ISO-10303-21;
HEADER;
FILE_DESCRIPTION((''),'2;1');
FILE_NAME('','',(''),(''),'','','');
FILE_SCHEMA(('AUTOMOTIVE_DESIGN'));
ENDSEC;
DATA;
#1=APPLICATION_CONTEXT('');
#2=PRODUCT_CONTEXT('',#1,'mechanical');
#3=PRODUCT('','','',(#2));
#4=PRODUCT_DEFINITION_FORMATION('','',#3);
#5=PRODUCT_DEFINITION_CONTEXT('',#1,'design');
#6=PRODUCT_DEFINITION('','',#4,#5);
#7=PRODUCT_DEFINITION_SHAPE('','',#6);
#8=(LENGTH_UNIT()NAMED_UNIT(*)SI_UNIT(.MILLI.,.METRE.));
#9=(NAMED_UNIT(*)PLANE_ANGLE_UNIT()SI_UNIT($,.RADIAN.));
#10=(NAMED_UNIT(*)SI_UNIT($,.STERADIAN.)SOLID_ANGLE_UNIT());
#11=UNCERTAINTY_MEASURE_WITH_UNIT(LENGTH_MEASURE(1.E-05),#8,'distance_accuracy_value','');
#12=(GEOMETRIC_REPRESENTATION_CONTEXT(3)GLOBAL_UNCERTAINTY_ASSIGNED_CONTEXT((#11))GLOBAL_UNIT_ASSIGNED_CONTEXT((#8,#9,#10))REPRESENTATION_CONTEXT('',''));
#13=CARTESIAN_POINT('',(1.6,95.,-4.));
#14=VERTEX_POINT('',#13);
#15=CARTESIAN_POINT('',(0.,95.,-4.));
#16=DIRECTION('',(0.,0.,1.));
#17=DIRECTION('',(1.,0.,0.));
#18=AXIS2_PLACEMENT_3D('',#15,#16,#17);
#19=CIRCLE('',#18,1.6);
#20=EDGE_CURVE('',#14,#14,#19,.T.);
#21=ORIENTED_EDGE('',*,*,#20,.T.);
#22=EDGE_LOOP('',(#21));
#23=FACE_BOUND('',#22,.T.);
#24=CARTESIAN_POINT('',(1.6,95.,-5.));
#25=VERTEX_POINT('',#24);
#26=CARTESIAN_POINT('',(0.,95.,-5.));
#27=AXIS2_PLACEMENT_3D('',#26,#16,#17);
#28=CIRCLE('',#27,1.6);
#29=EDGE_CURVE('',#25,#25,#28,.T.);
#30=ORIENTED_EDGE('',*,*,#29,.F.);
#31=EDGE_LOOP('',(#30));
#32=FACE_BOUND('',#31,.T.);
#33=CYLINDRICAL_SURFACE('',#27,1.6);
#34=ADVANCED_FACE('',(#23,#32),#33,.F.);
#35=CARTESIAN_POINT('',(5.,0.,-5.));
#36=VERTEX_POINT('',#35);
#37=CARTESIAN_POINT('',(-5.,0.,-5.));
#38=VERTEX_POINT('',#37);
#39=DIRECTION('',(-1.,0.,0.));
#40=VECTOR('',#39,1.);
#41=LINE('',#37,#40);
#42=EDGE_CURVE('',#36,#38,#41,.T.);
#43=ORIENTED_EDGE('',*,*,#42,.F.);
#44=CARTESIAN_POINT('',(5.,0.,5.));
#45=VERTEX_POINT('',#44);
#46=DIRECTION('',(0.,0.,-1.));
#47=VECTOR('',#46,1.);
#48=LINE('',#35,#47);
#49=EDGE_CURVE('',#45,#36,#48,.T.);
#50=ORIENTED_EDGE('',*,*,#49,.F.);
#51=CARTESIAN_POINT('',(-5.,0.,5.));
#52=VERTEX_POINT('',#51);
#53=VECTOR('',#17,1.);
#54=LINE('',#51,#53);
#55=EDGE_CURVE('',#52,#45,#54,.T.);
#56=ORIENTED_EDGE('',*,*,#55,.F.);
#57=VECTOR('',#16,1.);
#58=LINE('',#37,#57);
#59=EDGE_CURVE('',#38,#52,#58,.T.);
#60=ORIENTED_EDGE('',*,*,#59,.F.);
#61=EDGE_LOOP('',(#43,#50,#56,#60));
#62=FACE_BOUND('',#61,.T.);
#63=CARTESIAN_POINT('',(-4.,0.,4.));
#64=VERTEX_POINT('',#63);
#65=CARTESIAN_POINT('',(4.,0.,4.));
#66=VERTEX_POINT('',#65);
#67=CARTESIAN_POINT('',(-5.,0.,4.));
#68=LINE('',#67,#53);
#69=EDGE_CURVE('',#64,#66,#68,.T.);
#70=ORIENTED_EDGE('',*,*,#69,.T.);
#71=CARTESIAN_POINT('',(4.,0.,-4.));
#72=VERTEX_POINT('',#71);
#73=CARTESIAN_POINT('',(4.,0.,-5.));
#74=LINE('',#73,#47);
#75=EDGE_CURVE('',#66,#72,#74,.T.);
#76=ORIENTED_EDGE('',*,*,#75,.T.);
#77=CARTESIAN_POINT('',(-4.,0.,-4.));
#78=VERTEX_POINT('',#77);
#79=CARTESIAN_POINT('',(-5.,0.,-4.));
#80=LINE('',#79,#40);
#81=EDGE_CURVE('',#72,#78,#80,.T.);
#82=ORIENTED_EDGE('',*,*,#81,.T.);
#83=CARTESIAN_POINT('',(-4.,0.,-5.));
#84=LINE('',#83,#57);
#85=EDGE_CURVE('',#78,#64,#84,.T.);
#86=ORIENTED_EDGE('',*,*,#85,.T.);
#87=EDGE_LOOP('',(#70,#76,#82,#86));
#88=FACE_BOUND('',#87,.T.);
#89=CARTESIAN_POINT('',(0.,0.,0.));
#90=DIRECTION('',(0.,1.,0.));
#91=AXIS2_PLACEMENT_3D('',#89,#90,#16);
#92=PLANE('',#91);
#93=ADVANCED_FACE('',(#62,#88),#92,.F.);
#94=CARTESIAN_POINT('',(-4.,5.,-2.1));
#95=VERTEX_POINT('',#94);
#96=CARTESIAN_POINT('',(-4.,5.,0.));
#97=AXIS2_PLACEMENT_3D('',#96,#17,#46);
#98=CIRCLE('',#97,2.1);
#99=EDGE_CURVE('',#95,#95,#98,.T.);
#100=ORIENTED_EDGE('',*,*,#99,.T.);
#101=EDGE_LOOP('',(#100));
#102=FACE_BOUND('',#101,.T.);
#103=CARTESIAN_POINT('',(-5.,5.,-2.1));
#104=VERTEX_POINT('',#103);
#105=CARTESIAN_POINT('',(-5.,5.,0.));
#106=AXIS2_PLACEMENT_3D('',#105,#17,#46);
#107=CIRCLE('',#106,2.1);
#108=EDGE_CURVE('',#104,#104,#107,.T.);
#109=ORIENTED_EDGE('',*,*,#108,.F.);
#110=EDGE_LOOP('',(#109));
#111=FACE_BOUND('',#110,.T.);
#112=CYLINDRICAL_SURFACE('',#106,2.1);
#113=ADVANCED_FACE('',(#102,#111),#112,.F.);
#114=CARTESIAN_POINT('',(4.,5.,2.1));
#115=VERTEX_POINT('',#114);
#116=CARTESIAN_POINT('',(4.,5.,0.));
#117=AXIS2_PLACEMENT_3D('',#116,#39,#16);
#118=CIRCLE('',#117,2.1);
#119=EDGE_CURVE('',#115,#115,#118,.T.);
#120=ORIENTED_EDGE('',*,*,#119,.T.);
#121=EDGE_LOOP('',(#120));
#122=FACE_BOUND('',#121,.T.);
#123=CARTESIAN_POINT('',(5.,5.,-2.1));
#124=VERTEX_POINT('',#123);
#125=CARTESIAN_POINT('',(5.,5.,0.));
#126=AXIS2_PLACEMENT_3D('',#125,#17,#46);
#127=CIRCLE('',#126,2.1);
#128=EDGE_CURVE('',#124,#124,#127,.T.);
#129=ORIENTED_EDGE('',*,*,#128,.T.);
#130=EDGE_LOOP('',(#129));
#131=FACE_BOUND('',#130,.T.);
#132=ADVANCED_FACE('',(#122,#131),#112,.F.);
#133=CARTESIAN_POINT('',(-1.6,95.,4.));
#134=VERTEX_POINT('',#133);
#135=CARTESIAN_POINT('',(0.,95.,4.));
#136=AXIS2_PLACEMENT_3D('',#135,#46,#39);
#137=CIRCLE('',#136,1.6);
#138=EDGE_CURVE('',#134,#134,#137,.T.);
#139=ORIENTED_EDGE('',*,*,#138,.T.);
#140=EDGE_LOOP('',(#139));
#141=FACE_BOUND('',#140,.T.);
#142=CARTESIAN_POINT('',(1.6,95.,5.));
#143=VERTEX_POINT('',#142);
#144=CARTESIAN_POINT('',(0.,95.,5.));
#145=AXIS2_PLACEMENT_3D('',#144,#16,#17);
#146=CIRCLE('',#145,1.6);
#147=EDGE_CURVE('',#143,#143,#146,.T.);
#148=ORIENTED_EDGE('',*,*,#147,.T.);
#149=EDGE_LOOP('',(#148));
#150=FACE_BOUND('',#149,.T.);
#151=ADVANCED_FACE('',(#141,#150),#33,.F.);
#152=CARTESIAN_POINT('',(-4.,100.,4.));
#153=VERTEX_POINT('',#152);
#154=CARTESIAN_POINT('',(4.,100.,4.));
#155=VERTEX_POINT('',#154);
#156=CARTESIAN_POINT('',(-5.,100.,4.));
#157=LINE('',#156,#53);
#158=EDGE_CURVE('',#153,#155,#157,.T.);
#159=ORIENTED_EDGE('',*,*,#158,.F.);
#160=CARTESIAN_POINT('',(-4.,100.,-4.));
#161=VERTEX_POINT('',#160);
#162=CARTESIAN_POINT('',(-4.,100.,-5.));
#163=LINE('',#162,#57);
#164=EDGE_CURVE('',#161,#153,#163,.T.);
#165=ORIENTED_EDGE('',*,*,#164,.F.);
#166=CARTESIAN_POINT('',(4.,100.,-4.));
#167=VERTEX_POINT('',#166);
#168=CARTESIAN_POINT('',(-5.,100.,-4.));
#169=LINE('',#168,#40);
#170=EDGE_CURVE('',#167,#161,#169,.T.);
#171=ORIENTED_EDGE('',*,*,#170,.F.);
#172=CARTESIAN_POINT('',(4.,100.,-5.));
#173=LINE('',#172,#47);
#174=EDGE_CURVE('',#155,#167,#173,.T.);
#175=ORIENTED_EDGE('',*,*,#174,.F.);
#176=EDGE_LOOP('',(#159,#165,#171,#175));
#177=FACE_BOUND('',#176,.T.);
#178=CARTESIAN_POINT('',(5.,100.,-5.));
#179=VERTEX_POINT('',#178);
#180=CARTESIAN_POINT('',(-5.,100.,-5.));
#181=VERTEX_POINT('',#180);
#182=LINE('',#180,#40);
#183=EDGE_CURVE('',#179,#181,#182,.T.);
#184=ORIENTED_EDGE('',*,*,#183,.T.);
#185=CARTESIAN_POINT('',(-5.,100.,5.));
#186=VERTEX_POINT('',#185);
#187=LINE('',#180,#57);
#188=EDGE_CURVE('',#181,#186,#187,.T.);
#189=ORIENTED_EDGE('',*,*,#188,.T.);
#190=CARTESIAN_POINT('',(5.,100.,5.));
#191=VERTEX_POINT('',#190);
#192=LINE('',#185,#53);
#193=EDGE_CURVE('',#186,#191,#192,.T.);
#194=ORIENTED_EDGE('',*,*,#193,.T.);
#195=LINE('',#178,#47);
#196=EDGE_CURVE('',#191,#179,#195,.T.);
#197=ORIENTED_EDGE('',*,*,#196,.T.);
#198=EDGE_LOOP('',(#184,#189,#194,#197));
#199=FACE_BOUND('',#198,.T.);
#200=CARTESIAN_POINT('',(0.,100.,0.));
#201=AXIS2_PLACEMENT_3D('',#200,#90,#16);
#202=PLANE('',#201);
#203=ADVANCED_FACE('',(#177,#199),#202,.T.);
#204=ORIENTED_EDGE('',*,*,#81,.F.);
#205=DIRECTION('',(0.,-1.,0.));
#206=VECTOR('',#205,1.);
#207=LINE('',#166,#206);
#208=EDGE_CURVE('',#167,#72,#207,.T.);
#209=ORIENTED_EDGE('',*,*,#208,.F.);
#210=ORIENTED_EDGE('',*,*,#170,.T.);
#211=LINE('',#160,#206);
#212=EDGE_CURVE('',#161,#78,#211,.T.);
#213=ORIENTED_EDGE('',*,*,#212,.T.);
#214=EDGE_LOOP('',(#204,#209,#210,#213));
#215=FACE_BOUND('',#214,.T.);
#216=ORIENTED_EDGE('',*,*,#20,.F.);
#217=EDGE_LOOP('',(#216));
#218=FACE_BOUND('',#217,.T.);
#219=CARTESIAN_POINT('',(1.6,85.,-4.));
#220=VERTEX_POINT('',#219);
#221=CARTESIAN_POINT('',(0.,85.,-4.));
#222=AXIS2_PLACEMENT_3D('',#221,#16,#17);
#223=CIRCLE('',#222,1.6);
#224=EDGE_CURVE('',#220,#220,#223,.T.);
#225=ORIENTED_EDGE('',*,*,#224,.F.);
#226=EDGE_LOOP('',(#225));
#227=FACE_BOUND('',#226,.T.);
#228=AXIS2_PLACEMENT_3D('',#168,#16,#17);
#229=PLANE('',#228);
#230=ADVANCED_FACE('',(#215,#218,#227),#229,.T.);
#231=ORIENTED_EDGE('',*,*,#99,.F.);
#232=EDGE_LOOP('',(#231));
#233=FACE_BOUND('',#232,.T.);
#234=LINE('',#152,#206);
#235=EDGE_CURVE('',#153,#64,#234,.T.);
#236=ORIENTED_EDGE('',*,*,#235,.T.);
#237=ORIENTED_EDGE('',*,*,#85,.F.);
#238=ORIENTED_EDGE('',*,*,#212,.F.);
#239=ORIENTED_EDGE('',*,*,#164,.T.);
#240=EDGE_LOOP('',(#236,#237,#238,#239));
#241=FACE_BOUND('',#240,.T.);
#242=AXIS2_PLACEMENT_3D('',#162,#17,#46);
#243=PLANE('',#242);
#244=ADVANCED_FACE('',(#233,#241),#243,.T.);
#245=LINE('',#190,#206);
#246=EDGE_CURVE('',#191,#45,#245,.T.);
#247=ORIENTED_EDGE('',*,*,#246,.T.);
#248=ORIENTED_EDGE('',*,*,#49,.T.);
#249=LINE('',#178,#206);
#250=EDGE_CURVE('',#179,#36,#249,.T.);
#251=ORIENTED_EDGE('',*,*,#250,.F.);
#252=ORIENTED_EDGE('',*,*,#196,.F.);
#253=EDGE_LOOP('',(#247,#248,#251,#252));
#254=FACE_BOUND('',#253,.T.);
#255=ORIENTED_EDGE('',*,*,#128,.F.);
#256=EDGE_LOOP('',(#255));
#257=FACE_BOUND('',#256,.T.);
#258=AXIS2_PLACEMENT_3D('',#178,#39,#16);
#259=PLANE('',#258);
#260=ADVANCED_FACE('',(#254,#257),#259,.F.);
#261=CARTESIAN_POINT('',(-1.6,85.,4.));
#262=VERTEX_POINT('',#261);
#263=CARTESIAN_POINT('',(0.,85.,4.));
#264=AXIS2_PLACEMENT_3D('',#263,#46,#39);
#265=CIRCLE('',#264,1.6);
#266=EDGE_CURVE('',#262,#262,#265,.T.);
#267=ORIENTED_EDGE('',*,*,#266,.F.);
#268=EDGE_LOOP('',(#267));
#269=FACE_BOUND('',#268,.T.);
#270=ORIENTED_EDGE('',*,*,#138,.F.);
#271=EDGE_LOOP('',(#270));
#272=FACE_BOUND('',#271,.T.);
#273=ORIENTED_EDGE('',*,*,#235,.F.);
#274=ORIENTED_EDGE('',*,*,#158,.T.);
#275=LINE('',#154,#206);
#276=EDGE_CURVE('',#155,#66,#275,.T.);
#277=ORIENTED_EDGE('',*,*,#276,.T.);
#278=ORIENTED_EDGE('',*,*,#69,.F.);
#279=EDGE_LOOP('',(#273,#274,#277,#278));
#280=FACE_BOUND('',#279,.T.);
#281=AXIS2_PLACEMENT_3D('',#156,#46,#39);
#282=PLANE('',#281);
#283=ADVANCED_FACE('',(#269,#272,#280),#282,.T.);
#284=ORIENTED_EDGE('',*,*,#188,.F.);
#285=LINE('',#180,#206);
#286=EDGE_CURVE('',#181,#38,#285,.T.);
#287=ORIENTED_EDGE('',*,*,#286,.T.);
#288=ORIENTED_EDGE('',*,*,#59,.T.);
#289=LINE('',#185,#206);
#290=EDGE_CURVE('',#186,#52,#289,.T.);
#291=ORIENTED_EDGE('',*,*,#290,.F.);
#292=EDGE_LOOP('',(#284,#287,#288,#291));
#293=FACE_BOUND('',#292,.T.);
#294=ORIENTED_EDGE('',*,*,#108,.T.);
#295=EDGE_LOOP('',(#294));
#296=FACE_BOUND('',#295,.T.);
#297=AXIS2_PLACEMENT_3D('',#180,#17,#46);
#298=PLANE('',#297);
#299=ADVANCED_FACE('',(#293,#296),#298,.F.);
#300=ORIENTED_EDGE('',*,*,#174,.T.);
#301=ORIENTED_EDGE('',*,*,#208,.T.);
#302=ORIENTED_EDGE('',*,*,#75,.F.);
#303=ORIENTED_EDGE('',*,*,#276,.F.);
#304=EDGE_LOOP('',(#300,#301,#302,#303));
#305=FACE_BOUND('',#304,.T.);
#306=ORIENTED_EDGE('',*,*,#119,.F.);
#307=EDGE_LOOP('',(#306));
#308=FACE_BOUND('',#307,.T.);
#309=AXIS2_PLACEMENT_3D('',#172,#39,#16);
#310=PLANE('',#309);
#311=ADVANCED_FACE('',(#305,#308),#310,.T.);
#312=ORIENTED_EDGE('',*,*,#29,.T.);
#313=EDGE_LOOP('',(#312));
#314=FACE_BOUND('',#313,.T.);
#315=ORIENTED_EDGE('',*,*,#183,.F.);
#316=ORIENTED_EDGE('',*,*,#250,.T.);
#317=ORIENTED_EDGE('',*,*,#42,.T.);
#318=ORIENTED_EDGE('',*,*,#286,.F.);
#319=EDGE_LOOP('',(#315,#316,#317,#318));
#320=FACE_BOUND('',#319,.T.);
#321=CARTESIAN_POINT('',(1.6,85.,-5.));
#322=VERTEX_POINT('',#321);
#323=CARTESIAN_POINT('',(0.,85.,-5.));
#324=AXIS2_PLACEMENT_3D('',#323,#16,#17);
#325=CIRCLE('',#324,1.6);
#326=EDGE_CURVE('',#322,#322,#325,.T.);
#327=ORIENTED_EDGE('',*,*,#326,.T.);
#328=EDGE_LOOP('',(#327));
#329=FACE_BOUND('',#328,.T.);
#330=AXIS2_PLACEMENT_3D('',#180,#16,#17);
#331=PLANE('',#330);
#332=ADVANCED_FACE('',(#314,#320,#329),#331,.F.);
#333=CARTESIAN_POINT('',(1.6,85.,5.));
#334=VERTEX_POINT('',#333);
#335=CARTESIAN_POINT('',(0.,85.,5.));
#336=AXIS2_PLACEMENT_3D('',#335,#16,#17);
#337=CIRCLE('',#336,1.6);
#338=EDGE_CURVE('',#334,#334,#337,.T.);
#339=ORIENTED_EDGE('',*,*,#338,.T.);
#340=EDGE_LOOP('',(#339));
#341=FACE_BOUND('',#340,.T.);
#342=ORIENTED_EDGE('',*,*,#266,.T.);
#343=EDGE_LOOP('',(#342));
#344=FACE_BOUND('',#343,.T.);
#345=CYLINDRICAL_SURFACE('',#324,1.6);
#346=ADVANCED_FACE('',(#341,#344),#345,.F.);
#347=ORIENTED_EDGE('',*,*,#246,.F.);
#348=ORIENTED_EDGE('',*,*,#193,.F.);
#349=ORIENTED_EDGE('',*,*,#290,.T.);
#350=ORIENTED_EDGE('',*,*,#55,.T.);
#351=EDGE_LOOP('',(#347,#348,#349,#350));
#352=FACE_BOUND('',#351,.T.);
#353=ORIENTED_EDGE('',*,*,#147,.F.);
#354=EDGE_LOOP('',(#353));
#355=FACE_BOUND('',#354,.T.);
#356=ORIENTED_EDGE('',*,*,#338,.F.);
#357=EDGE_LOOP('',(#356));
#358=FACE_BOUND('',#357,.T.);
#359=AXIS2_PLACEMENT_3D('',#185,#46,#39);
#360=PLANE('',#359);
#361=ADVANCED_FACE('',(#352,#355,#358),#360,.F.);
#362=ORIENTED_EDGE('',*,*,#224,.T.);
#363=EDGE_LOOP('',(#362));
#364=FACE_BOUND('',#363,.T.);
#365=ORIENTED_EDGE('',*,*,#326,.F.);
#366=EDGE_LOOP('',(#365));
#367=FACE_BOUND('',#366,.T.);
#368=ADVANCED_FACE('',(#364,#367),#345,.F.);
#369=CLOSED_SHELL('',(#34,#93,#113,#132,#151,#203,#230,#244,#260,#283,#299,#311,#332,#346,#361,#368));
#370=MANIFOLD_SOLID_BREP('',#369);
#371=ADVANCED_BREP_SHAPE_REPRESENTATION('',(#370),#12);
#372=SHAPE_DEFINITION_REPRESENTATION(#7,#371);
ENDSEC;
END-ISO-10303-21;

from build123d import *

# Parameters (mm, degrees)
SKETCH_1_W          = 10
SKETCH_1_H          = 10
SKETCH_1_W_2        = 8
SKETCH_1_H_2        = 8
EXTRUDE_1_DEPTH     = 100
SKETCH_2_R          = 2.1
CUT_EXTRUDE_1_DEPTH = 101.623058987
SKETCH_3_R          = 1.6
CUT_EXTRUDE_2_DEPTH = 101.623058987


with BuildPart() as part:
    # ｽｹｯﾁ1 → 押し出し-薄板1 (new body)
    with BuildSketch(Plane(origin=(0, 0, 0), x_dir=(1, 0, 0), z_dir=(0, 1, 0))):
        Rectangle(SKETCH_1_W, SKETCH_1_H)
        Rectangle(SKETCH_1_W_2, SKETCH_1_H_2, mode=Mode.SUBTRACT)
    extrude(amount=EXTRUDE_1_DEPTH)

    # ｽｹｯﾁ2 → ｶｯﾄ - 押し出し1 (cut, through all)
    with BuildSketch(Plane(origin=(5, 0, 0), x_dir=(0, 0, -1), z_dir=(1, 0, 0))):
        with Locations((0, 5)):
            Circle(SKETCH_2_R)
    extrude(amount=-CUT_EXTRUDE_1_DEPTH, mode=Mode.SUBTRACT)

    # ｽｹｯﾁ3 → ｶｯﾄ - 押し出し2 (cut, through all)
    with BuildSketch(Plane.XY.offset(5)):
        with Locations((0, 85)):
            Circle(SKETCH_3_R)
        with Locations((0, 95)):
            Circle(SKETCH_3_R)
    extrude(amount=-CUT_EXTRUDE_2_DEPTH, mode=Mode.SUBTRACT)


solid = part.part
